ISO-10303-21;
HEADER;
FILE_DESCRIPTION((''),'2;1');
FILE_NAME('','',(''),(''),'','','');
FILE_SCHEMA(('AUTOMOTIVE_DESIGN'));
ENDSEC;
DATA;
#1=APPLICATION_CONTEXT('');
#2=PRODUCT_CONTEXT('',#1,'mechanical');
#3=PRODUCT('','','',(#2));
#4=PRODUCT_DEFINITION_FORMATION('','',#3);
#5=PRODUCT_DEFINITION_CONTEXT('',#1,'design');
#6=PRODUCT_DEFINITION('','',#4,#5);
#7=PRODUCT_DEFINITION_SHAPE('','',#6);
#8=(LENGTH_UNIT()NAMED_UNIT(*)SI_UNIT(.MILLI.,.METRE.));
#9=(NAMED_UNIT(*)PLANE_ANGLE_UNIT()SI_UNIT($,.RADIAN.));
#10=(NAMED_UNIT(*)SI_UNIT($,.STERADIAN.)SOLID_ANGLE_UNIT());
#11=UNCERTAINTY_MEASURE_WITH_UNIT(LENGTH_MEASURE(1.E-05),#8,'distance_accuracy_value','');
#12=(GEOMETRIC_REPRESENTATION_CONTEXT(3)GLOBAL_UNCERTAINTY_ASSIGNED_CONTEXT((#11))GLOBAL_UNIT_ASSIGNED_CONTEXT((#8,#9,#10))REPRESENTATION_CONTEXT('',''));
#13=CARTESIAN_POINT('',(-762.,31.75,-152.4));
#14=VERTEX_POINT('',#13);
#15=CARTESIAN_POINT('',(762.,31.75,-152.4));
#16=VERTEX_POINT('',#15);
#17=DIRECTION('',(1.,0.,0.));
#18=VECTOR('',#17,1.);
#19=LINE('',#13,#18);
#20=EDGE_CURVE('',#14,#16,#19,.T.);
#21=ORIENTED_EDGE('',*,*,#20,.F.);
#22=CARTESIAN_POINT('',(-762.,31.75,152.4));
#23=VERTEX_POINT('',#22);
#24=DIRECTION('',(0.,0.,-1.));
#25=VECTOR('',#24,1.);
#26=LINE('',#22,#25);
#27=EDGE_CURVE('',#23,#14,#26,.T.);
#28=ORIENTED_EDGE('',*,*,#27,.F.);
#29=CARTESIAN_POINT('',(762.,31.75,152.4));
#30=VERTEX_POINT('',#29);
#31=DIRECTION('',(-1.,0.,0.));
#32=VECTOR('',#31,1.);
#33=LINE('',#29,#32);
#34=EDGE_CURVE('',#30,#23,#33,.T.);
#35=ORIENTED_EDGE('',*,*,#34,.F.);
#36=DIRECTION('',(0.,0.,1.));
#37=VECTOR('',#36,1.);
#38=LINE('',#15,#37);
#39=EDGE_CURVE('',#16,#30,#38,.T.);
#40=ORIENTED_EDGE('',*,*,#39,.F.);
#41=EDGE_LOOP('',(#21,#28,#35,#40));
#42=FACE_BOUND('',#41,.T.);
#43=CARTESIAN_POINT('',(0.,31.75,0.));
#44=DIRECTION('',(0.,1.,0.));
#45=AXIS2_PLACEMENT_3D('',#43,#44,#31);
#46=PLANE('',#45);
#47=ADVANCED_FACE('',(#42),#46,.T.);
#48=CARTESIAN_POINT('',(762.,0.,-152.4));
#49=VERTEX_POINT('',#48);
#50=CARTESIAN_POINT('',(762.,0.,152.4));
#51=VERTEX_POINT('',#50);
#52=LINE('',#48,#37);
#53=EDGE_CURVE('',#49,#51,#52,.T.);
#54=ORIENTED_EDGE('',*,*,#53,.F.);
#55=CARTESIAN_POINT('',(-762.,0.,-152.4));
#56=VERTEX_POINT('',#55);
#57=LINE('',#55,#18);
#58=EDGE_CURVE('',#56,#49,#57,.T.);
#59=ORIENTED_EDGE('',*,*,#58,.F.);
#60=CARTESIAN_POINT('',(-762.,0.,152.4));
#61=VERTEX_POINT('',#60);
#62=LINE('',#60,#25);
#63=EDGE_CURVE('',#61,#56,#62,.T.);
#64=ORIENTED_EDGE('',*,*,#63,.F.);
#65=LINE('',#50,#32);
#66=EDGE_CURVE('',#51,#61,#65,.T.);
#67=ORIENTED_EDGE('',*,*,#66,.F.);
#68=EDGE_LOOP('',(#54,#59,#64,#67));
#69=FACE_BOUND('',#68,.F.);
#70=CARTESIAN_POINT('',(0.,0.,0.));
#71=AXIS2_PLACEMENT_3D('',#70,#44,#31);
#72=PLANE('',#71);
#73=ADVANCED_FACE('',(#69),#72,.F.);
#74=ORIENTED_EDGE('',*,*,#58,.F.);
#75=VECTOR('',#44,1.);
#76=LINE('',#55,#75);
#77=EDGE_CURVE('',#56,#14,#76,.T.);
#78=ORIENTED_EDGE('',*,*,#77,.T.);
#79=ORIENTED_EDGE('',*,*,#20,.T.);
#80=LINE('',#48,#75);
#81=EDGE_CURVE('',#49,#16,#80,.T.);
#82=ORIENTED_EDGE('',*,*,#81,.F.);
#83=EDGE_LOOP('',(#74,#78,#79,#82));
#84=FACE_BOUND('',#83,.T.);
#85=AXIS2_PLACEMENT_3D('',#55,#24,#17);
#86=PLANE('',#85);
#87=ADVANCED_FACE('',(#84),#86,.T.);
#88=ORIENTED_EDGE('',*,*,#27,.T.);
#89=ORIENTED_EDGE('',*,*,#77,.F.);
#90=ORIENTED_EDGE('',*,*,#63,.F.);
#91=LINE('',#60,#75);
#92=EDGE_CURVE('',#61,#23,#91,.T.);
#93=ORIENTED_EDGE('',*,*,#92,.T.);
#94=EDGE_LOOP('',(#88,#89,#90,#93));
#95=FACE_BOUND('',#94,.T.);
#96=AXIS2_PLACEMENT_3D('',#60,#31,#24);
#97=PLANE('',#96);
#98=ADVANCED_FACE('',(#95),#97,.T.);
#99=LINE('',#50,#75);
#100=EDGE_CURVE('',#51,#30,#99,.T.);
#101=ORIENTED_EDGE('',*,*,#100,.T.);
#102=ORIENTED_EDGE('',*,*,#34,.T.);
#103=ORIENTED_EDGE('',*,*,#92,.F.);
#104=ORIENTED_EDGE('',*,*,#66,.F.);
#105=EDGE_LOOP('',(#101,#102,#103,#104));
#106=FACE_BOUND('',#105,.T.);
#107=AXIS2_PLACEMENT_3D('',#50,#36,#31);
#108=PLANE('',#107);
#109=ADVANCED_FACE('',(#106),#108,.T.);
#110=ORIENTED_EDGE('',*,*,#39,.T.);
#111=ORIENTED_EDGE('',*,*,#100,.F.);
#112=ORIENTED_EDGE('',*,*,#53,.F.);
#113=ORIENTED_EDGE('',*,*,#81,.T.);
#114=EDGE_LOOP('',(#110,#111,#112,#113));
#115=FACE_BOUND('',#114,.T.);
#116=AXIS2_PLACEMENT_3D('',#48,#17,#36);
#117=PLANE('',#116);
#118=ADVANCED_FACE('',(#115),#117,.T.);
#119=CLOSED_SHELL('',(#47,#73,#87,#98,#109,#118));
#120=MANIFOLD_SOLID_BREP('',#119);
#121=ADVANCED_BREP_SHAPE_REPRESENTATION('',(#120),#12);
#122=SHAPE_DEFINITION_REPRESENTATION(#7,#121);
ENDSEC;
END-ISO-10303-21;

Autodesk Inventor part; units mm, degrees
ref_plane "YZ Plane" through (0, 0, 0) normal (1, 0, 0) x (0, 1, 0)
ref_plane "XZ Plane" through (0, 0, 0) normal (0, 1, 0) x (-1, 0, 0)
ref_plane "XY Plane" through (0, 0, 0) normal (0, 0, 1) x (1, 0, 0)
sketch "Sketch1" plane through (0, 0, 0) normal (0, 1, 0) x (-1, 0, 0)
  line L0 (762, -152.4) -> (-762, -152.4)
  line L1 (-762, -152.4) -> (-762, 152.4)
  line L2 (-762, 152.4) -> (762, 152.4)
  line L3 (762, 152.4) -> (762, -152.4)
  line L4 (762, -152.4) -> (-762, 152.4) construction
  line L5 (-762, -152.4) -> (762, 152.4) construction
  point P0 (0, 0)
  dimension "d0" = 1524
  dimension "d1" = 304.8
extrude "Extrusion1" add sketch "Sketch1" along normal blind 31.75
properties part number "1 - 28" material "Granite, Cut, Polished"
